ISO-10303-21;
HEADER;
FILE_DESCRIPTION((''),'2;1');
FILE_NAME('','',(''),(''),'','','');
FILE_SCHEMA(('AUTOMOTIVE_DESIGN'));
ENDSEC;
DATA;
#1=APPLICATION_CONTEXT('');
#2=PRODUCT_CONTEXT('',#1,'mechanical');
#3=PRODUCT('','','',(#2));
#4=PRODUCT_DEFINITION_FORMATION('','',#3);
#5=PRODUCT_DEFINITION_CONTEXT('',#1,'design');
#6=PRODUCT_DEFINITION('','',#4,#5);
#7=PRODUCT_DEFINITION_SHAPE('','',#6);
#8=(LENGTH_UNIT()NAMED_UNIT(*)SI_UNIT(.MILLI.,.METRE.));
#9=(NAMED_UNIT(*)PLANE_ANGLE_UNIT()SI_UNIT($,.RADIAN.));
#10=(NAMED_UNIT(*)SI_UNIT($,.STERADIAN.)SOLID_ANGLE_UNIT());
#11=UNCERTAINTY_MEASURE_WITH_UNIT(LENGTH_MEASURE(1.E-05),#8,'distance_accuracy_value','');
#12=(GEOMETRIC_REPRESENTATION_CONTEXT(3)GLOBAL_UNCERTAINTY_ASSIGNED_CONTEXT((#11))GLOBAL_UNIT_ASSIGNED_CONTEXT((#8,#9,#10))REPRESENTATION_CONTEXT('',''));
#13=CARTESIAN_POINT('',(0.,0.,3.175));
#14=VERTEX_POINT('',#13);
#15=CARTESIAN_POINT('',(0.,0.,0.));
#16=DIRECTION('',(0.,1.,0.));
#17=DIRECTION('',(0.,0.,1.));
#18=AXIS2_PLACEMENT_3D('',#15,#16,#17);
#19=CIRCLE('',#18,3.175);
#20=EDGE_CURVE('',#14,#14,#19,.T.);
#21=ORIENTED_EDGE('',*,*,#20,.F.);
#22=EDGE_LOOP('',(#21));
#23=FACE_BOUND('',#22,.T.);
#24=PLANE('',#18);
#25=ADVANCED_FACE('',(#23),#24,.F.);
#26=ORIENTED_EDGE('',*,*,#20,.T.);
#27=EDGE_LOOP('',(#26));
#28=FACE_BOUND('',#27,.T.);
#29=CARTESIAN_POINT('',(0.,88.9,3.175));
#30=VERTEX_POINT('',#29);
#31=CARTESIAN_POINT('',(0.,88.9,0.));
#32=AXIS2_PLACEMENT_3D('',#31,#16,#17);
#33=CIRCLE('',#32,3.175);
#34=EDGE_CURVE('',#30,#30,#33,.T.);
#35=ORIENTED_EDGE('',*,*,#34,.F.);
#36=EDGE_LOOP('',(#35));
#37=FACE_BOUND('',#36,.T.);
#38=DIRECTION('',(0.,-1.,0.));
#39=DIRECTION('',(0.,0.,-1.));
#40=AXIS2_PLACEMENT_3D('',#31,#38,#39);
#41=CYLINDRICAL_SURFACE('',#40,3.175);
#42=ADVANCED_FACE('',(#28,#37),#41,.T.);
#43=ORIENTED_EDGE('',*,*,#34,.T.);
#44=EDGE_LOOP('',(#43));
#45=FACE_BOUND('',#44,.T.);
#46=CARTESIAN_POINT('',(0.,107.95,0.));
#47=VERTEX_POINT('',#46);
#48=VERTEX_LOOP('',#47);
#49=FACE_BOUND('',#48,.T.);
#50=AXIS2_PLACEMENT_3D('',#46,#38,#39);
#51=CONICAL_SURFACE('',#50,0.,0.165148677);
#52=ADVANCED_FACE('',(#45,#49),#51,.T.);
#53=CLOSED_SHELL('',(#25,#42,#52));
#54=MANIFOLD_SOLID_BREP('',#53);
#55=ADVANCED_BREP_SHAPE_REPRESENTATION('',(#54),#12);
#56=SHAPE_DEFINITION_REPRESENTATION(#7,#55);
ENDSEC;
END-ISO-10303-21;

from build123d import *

# Parameters (mm, degrees)
SKETCH1_R           = 3.175
BOSS_EXTRUDE1_DEPTH = 88.9


with BuildPart() as part:
    # Sketch1 → Boss-Extrude1 (new body)
    with BuildSketch(Plane(origin=(0, 0, 0), x_dir=(1, 0, 0), z_dir=(0, 1, 0))):
        with Locations(Location((0, 0, 0), (0, 0, 270))):
            Circle(SKETCH1_R)
    extrude(amount=BOSS_EXTRUDE1_DEPTH)

    # Sketch3 → Revolve1 (revolve)
    with BuildSketch(Plane.XY, mode=Mode.PRIVATE) as revolve1_sk:
        Polygon((-3.175, 88.9), (0, 107.95), (0, 88.9), align=None)
    revolve(revolve1_sk.sketch.rotate(Axis((0, 88.9, 0), (0, 1, 0)), 270), axis=Axis((0, 88.9, 0), (0, 1, 0)))


solid = part.part
